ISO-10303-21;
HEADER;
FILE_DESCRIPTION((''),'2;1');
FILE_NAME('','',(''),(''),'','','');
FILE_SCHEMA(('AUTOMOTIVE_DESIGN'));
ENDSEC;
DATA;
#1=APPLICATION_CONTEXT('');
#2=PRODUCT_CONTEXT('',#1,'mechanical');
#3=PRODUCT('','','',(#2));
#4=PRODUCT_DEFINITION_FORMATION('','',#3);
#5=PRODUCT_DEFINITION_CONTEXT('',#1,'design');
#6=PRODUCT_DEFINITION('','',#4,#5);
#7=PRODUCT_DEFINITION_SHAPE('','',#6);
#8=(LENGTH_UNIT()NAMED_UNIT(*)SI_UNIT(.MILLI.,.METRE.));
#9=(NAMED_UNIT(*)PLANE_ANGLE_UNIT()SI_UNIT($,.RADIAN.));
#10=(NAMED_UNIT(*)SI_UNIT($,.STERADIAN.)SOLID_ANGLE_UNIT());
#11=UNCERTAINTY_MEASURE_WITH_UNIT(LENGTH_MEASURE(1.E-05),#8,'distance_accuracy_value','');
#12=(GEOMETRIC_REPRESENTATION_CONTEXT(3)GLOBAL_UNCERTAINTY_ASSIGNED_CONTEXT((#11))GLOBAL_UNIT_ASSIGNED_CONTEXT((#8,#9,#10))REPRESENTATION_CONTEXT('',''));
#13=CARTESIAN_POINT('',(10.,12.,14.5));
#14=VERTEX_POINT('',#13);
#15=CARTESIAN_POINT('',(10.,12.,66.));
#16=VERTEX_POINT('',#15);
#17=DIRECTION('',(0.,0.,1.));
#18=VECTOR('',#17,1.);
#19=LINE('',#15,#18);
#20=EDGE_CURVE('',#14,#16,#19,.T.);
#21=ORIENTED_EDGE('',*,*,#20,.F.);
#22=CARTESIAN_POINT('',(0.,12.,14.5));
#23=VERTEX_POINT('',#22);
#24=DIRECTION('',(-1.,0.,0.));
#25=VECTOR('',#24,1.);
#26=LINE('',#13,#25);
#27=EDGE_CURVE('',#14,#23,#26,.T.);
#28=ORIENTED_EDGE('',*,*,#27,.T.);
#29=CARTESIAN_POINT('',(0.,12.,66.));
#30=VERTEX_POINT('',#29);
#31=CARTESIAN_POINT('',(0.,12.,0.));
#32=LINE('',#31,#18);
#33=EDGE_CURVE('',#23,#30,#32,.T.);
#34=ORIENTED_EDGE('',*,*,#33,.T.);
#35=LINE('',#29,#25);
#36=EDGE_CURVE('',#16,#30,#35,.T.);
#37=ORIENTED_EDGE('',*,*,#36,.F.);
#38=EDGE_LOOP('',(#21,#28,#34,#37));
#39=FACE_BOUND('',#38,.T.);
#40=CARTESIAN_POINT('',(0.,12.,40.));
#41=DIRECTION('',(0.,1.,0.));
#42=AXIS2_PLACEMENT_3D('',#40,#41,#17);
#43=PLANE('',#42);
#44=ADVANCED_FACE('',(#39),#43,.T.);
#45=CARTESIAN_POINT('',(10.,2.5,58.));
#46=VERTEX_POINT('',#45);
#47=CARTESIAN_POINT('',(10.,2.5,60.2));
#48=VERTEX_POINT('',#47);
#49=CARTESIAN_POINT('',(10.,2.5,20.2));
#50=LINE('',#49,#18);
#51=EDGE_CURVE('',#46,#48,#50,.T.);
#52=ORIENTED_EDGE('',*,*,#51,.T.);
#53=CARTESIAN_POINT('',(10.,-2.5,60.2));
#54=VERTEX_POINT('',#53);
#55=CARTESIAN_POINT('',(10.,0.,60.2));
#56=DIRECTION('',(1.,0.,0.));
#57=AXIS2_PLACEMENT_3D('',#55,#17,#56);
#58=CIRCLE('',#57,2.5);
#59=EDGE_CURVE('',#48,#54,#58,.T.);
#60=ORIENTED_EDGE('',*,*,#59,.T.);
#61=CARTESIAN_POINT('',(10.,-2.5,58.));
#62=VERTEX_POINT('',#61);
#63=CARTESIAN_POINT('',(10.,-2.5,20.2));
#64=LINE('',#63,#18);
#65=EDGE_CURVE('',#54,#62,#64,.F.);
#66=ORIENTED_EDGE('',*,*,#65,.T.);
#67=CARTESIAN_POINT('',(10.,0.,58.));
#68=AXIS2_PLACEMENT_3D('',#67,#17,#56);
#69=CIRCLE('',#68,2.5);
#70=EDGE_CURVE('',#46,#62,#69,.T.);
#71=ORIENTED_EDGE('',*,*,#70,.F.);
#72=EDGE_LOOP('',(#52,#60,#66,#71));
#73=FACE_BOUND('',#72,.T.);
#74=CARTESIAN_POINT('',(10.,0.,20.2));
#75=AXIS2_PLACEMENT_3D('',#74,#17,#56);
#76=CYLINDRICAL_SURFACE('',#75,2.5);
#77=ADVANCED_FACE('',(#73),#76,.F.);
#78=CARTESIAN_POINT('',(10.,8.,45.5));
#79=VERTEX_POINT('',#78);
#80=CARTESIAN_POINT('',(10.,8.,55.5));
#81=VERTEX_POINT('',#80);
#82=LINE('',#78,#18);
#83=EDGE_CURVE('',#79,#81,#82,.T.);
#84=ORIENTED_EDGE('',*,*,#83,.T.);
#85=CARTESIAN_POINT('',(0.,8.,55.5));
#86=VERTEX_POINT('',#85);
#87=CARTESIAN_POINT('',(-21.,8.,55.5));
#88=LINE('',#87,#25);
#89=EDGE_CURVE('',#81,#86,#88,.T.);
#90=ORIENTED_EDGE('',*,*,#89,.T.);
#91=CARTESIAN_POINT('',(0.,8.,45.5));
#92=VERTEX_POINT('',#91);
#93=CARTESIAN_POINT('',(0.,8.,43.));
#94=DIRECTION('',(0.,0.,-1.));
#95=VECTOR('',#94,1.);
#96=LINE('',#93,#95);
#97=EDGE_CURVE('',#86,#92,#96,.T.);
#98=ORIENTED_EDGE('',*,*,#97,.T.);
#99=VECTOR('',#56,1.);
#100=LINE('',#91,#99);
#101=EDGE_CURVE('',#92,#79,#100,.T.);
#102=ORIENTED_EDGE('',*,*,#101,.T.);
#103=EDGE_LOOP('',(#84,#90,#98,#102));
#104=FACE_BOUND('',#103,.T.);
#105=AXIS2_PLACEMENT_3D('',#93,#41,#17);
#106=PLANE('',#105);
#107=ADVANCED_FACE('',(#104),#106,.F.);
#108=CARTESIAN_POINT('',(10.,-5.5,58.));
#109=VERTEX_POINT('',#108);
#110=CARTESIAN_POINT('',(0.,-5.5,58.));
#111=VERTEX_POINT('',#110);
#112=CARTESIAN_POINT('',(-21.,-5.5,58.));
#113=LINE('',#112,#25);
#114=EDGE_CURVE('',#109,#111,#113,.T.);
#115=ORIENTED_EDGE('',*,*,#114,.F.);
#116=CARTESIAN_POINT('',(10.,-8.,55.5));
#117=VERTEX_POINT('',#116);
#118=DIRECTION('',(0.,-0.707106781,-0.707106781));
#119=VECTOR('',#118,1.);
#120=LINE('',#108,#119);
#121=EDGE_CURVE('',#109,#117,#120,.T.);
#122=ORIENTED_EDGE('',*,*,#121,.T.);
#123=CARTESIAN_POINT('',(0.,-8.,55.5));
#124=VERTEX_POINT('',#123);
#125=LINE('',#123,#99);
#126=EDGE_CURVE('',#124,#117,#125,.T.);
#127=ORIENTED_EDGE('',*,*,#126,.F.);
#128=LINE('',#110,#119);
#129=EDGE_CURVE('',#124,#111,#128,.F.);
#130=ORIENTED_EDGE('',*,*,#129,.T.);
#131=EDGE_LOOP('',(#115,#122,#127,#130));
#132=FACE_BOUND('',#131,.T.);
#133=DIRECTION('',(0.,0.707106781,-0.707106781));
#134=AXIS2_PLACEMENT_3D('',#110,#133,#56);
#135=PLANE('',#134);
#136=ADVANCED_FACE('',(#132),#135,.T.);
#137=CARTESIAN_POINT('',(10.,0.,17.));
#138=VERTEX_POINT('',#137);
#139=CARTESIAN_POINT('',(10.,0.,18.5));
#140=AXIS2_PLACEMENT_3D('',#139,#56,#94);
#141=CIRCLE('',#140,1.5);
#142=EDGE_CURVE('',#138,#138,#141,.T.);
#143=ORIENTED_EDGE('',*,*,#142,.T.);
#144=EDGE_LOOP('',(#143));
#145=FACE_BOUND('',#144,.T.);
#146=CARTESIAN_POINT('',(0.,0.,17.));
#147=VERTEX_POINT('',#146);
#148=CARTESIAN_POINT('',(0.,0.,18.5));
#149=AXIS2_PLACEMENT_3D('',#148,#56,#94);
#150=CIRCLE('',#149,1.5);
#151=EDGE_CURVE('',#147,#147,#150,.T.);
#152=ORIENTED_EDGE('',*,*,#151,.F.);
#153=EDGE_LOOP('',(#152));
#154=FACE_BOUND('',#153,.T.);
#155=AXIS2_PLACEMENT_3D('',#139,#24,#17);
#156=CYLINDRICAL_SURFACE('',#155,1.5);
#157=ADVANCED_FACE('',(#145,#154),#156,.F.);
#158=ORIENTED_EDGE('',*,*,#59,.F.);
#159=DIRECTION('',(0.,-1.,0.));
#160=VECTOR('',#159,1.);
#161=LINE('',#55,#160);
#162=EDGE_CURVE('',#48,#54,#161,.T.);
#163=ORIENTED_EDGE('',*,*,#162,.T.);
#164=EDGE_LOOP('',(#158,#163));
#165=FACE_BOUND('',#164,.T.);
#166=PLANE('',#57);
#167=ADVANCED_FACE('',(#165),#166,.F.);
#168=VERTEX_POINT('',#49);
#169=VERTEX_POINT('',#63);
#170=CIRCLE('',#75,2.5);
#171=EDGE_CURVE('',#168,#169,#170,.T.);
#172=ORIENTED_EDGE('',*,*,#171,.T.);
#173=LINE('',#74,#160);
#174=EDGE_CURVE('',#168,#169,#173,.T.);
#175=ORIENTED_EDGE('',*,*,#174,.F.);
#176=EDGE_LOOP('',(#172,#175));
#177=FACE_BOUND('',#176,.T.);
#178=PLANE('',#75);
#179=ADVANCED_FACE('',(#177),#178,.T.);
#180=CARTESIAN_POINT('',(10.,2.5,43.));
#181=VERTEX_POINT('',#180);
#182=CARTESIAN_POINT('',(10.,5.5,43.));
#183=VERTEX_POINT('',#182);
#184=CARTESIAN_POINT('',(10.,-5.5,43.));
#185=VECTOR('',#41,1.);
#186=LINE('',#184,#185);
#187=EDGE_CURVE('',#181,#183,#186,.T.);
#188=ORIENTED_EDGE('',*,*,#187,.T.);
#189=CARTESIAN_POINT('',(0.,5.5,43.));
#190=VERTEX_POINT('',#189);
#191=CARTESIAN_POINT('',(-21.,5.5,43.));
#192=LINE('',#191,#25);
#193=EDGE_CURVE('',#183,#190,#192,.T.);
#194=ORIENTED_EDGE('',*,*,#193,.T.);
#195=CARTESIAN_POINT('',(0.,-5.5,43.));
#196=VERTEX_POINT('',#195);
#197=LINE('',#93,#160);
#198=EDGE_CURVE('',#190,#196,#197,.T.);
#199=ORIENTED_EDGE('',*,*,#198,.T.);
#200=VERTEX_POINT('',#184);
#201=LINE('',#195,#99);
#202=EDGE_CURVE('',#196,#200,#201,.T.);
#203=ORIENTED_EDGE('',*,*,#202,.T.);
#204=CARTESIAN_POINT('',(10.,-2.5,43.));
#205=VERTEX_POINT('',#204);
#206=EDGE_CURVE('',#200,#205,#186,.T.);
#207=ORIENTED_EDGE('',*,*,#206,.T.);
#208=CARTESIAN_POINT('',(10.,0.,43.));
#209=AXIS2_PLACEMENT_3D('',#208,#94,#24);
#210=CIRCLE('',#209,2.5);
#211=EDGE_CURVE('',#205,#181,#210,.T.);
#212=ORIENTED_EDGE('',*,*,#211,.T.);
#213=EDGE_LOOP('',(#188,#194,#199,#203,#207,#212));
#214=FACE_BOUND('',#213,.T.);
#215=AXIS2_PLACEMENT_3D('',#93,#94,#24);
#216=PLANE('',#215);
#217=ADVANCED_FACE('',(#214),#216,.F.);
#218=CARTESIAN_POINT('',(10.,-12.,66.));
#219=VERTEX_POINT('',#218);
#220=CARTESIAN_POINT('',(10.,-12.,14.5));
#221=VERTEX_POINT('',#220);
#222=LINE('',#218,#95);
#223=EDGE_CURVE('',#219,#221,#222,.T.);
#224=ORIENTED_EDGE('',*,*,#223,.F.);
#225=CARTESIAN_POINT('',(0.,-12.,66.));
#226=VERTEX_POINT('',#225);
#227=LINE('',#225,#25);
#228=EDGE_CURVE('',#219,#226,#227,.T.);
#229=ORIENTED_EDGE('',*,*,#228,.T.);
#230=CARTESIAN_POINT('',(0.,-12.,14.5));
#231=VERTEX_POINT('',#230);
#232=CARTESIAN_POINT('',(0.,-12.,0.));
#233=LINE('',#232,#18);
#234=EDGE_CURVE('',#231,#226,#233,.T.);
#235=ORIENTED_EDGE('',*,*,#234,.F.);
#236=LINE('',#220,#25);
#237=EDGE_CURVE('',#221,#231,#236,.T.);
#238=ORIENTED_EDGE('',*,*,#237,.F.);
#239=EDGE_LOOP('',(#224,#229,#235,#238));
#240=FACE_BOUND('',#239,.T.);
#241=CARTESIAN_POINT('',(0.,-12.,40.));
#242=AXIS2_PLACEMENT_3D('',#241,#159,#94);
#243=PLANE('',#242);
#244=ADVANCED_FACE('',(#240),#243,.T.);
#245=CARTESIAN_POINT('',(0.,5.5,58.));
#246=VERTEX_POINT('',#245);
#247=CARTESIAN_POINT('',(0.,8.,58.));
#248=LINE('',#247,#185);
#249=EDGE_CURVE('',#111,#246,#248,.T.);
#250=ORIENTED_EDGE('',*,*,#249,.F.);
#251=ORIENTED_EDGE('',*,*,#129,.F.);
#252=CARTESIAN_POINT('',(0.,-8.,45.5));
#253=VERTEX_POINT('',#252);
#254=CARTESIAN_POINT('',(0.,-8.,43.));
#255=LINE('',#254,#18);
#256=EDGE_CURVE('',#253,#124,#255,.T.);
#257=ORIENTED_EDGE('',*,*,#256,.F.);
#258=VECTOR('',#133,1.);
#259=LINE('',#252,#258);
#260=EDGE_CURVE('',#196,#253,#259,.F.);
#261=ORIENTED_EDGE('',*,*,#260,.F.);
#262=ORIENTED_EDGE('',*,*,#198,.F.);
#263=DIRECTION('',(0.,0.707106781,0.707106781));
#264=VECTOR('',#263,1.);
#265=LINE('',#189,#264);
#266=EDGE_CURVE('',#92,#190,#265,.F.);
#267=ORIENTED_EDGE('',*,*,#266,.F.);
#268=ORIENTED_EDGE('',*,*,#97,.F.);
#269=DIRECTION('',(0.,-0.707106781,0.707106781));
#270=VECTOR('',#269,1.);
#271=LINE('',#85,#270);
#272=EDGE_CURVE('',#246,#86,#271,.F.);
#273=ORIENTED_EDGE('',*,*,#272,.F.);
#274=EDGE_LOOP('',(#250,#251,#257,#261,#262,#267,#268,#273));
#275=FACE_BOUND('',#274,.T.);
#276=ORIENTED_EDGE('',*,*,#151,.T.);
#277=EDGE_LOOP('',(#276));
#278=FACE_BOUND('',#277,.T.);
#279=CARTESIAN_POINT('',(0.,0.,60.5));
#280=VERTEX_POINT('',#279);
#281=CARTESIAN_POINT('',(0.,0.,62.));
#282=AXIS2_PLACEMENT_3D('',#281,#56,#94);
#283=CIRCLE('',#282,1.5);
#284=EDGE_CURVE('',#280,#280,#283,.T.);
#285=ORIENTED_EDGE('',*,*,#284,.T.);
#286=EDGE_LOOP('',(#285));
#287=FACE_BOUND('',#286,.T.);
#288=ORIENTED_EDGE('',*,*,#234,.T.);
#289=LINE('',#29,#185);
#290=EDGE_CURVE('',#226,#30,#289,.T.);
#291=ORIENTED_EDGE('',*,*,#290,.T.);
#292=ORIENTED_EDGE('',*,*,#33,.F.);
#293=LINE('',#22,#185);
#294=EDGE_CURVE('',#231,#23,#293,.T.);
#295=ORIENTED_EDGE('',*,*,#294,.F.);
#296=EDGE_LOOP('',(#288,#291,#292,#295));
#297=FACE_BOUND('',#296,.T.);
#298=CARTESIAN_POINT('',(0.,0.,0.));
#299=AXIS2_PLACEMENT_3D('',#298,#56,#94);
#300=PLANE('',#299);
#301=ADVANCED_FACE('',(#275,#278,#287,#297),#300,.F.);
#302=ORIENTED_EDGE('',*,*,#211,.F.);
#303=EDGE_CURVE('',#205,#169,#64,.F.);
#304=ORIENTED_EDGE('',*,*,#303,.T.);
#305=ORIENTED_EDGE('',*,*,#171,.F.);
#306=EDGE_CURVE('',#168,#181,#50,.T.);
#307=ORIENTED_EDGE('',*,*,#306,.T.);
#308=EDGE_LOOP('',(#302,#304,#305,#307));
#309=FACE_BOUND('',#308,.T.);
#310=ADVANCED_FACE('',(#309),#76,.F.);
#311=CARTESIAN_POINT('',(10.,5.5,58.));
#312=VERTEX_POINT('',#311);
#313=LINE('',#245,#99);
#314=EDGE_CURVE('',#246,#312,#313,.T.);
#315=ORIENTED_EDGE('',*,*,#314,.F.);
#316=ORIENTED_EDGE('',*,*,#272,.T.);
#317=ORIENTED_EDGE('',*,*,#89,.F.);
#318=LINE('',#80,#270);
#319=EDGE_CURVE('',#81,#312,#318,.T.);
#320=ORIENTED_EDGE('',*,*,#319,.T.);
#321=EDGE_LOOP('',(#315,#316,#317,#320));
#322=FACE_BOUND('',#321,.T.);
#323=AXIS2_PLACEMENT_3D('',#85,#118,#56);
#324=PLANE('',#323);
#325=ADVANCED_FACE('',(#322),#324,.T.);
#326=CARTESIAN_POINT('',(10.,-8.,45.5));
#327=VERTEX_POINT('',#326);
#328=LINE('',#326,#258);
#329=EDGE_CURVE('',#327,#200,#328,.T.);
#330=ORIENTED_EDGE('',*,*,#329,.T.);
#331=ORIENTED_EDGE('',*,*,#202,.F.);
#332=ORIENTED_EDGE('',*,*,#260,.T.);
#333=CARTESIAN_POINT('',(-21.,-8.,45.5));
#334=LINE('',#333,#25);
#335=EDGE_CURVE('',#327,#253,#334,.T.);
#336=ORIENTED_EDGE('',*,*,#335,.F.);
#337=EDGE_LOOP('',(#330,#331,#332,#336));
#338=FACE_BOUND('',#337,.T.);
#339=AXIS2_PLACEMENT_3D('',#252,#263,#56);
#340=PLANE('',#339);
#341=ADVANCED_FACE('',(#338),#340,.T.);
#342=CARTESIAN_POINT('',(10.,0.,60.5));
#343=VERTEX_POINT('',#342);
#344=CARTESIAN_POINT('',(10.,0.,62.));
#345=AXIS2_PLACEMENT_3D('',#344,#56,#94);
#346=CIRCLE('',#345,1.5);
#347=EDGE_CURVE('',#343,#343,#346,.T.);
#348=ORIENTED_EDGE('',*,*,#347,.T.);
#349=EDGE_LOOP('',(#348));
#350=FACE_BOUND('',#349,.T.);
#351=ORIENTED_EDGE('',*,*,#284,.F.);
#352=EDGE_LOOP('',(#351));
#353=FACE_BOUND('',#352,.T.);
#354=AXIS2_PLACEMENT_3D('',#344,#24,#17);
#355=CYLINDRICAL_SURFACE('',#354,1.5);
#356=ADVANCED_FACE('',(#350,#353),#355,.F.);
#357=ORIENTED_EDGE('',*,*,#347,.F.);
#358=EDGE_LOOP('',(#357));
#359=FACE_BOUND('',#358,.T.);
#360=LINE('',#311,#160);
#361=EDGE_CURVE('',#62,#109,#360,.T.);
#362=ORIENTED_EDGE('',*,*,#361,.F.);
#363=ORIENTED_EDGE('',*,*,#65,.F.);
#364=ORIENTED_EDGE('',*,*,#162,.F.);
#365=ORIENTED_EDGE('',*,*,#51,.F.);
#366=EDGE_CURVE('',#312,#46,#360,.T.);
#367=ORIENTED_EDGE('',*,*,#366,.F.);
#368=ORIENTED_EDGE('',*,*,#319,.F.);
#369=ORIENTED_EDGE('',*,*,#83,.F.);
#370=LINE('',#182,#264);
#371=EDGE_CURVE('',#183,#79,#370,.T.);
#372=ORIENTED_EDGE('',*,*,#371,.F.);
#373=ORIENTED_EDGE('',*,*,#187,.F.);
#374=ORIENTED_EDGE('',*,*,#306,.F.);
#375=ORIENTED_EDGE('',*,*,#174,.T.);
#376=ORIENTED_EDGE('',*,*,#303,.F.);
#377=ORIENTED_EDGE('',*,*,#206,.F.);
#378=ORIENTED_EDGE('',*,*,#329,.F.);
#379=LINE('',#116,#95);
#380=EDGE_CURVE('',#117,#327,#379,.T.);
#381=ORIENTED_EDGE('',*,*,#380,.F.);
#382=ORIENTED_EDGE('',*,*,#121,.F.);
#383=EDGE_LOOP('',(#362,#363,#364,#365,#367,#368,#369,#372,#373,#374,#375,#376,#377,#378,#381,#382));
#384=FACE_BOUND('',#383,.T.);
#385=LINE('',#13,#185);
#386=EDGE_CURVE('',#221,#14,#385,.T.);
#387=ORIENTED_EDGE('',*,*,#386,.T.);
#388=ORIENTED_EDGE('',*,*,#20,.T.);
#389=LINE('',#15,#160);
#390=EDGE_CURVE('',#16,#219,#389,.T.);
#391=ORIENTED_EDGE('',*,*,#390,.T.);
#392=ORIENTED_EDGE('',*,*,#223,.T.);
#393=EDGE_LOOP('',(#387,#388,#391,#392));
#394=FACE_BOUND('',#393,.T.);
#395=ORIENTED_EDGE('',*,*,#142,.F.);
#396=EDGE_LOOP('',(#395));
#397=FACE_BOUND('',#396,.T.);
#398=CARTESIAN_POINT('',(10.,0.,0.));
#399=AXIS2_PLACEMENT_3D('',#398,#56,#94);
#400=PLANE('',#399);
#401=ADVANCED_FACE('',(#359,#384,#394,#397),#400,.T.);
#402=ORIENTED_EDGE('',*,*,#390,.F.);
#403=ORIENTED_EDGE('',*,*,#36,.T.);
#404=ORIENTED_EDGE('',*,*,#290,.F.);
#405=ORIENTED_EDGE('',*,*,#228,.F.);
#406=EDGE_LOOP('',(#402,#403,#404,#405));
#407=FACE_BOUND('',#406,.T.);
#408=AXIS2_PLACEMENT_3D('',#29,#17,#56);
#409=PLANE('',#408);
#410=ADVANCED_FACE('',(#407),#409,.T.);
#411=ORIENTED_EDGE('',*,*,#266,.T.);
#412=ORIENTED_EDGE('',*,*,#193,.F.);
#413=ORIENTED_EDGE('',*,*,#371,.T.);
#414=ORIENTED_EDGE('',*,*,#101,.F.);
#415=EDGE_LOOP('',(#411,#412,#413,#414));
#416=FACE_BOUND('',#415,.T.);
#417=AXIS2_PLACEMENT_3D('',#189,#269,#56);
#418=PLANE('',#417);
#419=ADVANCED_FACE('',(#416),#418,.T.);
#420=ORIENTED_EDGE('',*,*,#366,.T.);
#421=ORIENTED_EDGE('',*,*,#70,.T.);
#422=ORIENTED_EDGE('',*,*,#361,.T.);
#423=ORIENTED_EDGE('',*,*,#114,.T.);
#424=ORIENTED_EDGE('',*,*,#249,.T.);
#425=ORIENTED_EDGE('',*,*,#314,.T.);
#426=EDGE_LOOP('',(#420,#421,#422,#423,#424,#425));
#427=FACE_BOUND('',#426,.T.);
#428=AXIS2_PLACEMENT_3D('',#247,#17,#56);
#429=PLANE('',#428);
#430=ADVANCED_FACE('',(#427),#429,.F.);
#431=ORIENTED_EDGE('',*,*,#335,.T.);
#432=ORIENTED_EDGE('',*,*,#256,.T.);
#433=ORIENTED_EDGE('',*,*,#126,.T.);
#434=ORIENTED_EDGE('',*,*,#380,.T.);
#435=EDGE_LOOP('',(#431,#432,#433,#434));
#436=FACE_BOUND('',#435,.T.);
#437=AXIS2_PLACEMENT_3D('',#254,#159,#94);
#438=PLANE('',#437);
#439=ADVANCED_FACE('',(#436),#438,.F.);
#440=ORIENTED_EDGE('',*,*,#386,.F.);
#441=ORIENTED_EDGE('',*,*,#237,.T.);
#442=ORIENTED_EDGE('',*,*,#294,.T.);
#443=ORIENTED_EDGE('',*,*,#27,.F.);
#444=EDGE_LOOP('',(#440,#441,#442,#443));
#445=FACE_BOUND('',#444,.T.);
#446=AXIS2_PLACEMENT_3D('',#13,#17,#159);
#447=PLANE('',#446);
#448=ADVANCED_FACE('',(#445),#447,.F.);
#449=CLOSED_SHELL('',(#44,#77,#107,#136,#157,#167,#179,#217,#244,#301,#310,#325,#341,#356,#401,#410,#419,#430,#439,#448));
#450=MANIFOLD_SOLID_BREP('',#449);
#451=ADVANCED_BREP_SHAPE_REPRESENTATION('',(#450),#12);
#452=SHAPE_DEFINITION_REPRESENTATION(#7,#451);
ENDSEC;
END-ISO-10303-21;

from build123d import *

# Parameters (mm, degrees)
SKETCH_1_W          = 42
SKETCH_1_H          = 42
EXTRUDE_1_DEPTH     = 40
CHAMFER_1_SIZE      = 5
SKETCH_4_R          = 1.75
CUT_EXTRUDE_1_DEPTH = 3
SKETCH_5_W          = 26
SKETCH_5_H          = 24
SKETCH_5_W_2        = 15
SKETCH_5_H_2        = 16
EXTRUDE_2_DEPTH     = 21
SKETCH_7_W          = 40
SKETCH_7_H          = 24
CUT_EXTRUDE_3_DEPTH = 21
SKETCH_6_R          = 3
CUT_EXTRUDE_2_DEPTH = 10
CHAMFER_2_SIZE      = 2.5
SKETCH_8_W          = 51.5
SKETCH_8_H          = 24
SKETCH_8_R          = 1.5
EXTRUDE_3_DEPTH     = 10
CUT_EXTRUDE_5_DEPTH = 73.374028491
CUT_EXTRUDE_START   = -5.8
SKETCH_10_R         = 2.5
CUT_EXTRUDE_6_DEPTH = 40


with BuildPart() as part:
    # 草圖1 → 填料-伸長1 (new body)
    with BuildSketch(Plane.XY):
        Rectangle(SKETCH_1_W, SKETCH_1_H)
    extrude(amount=EXTRUDE_1_DEPTH)

    # 導角1
    chamfer_1_edges = [part.edges().sort_by_distance(p)[0] for p in [
        (-21, 21, 20),
        (21, 21, 20),
        (21, -21, 20),
        (-21, -21, 20),
    ]]
    chamfer(chamfer_1_edges, length=CHAMFER_1_SIZE)

    # 草圖4 → 除料-伸長1 (cut)
    with BuildSketch(Plane.XY.offset(40)):
        with Locations((-15.5, 15.5)):
            Circle(SKETCH_4_R)
        with Locations(Location((-15.5, -15.5, 0), (0, 0, 180))):
            Circle(SKETCH_4_R)
        with Locations((15.5, -15.5)):
            Circle(SKETCH_4_R)
        with Locations(Location((15.5, 15.5, 0), (0, 0, 180))):
            Circle(SKETCH_4_R)
    extrude(amount=-CUT_EXTRUDE_1_DEPTH, mode=Mode.SUBTRACT)

    # 草圖7 → 除料-伸長3 (cut)
    with BuildSketch(Plane(origin=(21, 0, 0), x_dir=(0, 0, -1), z_dir=(1, 0, 0))):
        with Locations((-20, 0)):
            Rectangle(SKETCH_7_W, SKETCH_7_H)
    extrude(amount=-CUT_EXTRUDE_3_DEPTH, mode=Mode.SUBTRACT)


with BuildPart() as body_2:
    # 草圖5 → 填料-伸長2 (new body)
    with BuildSketch(Plane.ZY.offset(21)):
        with Locations((53, 0)):
            Rectangle(SKETCH_5_W, SKETCH_5_H)
        with Locations((50.5, 0)):
            Rectangle(SKETCH_5_W_2, SKETCH_5_H_2, mode=Mode.SUBTRACT)
    extrude(amount=-EXTRUDE_2_DEPTH)


with BuildPart() as cut_extrude_2_tool:
    # 草圖6 → 除料-伸長2 (new body)
    with BuildSketch(Plane(origin=(0, 0, 0), x_dir=(0, 0, -1), z_dir=(1, 0, 0))):
        with Locations((-62, 0)):
            Circle(SKETCH_6_R)
        with Locations((-18.5, 0)):
            Circle(SKETCH_6_R)
    extrude(amount=-CUT_EXTRUDE_2_DEPTH)


with BuildPart() as part_1:
    add(part.part)

    # 除料-伸長2: cut by cut_extrude_2_tool
    add(cut_extrude_2_tool.part, mode=Mode.SUBTRACT)



with BuildPart() as body_2_1:
    add(body_2.part)

    # 除料-伸長2: cut by cut_extrude_2_tool
    add(cut_extrude_2_tool.part, mode=Mode.SUBTRACT)

    # 導角2
    chamfer_2_edges = [body_2_1.edges().sort_by_distance(p)[0] for p in [
        (-10.5, -8, 43),
        (-10.5, 8, 43),
        (-10.5, 8, 58),
        (-10.5, -8, 58),
    ]]
    chamfer(chamfer_2_edges, length=CHAMFER_2_SIZE)


with BuildPart() as part_2:
    add(part_1.part)

    add(body_2_1.part)  # 填料-伸長3 merges body 2
    # 草圖8 → 填料-伸長3 (add)
    with BuildSketch(Plane(origin=(0, 0, 0), x_dir=(0, 0, -1), z_dir=(1, 0, 0))):
        with Locations((-40.25, 0)):
            Rectangle(SKETCH_8_W, SKETCH_8_H)
        with Locations((-62, 0)):
            Circle(SKETCH_8_R, mode=Mode.SUBTRACT)
        with Locations((-18.5, 0)):
            Circle(SKETCH_8_R, mode=Mode.SUBTRACT)
        Polygon((-58, 5.5), (-58, -5.5), (-55.5, -8), (-45.5, -8), (-43, -5.5), (-43, 5.5), (-45.5, 8), (-55.5, 8), align=None, mode=Mode.SUBTRACT)
    extrude(amount=EXTRUDE_3_DEPTH)

    # 草圖9 → 除料-伸長5 (cut, through all)
    with BuildSketch(Plane.XY.offset(66)):
        Polygon((21, 12), (21, 16), (16, 21), (-16, 21), (-21, 16), (-21, -16), (-16, -21), (16, -21), (21, -16), (21, -12), (0, -12), (0, 12), align=None)
    extrude(amount=-CUT_EXTRUDE_5_DEPTH, mode=Mode.SUBTRACT)

    # 草圖10 → 除料-伸長6 (cut)
    with BuildSketch(Plane.XY.offset(66).offset(CUT_EXTRUDE_START)):
        with Locations((10, 0)):
            Circle(SKETCH_10_R)
    extrude(amount=-CUT_EXTRUDE_6_DEPTH, mode=Mode.SUBTRACT)


solid = part_2.part
